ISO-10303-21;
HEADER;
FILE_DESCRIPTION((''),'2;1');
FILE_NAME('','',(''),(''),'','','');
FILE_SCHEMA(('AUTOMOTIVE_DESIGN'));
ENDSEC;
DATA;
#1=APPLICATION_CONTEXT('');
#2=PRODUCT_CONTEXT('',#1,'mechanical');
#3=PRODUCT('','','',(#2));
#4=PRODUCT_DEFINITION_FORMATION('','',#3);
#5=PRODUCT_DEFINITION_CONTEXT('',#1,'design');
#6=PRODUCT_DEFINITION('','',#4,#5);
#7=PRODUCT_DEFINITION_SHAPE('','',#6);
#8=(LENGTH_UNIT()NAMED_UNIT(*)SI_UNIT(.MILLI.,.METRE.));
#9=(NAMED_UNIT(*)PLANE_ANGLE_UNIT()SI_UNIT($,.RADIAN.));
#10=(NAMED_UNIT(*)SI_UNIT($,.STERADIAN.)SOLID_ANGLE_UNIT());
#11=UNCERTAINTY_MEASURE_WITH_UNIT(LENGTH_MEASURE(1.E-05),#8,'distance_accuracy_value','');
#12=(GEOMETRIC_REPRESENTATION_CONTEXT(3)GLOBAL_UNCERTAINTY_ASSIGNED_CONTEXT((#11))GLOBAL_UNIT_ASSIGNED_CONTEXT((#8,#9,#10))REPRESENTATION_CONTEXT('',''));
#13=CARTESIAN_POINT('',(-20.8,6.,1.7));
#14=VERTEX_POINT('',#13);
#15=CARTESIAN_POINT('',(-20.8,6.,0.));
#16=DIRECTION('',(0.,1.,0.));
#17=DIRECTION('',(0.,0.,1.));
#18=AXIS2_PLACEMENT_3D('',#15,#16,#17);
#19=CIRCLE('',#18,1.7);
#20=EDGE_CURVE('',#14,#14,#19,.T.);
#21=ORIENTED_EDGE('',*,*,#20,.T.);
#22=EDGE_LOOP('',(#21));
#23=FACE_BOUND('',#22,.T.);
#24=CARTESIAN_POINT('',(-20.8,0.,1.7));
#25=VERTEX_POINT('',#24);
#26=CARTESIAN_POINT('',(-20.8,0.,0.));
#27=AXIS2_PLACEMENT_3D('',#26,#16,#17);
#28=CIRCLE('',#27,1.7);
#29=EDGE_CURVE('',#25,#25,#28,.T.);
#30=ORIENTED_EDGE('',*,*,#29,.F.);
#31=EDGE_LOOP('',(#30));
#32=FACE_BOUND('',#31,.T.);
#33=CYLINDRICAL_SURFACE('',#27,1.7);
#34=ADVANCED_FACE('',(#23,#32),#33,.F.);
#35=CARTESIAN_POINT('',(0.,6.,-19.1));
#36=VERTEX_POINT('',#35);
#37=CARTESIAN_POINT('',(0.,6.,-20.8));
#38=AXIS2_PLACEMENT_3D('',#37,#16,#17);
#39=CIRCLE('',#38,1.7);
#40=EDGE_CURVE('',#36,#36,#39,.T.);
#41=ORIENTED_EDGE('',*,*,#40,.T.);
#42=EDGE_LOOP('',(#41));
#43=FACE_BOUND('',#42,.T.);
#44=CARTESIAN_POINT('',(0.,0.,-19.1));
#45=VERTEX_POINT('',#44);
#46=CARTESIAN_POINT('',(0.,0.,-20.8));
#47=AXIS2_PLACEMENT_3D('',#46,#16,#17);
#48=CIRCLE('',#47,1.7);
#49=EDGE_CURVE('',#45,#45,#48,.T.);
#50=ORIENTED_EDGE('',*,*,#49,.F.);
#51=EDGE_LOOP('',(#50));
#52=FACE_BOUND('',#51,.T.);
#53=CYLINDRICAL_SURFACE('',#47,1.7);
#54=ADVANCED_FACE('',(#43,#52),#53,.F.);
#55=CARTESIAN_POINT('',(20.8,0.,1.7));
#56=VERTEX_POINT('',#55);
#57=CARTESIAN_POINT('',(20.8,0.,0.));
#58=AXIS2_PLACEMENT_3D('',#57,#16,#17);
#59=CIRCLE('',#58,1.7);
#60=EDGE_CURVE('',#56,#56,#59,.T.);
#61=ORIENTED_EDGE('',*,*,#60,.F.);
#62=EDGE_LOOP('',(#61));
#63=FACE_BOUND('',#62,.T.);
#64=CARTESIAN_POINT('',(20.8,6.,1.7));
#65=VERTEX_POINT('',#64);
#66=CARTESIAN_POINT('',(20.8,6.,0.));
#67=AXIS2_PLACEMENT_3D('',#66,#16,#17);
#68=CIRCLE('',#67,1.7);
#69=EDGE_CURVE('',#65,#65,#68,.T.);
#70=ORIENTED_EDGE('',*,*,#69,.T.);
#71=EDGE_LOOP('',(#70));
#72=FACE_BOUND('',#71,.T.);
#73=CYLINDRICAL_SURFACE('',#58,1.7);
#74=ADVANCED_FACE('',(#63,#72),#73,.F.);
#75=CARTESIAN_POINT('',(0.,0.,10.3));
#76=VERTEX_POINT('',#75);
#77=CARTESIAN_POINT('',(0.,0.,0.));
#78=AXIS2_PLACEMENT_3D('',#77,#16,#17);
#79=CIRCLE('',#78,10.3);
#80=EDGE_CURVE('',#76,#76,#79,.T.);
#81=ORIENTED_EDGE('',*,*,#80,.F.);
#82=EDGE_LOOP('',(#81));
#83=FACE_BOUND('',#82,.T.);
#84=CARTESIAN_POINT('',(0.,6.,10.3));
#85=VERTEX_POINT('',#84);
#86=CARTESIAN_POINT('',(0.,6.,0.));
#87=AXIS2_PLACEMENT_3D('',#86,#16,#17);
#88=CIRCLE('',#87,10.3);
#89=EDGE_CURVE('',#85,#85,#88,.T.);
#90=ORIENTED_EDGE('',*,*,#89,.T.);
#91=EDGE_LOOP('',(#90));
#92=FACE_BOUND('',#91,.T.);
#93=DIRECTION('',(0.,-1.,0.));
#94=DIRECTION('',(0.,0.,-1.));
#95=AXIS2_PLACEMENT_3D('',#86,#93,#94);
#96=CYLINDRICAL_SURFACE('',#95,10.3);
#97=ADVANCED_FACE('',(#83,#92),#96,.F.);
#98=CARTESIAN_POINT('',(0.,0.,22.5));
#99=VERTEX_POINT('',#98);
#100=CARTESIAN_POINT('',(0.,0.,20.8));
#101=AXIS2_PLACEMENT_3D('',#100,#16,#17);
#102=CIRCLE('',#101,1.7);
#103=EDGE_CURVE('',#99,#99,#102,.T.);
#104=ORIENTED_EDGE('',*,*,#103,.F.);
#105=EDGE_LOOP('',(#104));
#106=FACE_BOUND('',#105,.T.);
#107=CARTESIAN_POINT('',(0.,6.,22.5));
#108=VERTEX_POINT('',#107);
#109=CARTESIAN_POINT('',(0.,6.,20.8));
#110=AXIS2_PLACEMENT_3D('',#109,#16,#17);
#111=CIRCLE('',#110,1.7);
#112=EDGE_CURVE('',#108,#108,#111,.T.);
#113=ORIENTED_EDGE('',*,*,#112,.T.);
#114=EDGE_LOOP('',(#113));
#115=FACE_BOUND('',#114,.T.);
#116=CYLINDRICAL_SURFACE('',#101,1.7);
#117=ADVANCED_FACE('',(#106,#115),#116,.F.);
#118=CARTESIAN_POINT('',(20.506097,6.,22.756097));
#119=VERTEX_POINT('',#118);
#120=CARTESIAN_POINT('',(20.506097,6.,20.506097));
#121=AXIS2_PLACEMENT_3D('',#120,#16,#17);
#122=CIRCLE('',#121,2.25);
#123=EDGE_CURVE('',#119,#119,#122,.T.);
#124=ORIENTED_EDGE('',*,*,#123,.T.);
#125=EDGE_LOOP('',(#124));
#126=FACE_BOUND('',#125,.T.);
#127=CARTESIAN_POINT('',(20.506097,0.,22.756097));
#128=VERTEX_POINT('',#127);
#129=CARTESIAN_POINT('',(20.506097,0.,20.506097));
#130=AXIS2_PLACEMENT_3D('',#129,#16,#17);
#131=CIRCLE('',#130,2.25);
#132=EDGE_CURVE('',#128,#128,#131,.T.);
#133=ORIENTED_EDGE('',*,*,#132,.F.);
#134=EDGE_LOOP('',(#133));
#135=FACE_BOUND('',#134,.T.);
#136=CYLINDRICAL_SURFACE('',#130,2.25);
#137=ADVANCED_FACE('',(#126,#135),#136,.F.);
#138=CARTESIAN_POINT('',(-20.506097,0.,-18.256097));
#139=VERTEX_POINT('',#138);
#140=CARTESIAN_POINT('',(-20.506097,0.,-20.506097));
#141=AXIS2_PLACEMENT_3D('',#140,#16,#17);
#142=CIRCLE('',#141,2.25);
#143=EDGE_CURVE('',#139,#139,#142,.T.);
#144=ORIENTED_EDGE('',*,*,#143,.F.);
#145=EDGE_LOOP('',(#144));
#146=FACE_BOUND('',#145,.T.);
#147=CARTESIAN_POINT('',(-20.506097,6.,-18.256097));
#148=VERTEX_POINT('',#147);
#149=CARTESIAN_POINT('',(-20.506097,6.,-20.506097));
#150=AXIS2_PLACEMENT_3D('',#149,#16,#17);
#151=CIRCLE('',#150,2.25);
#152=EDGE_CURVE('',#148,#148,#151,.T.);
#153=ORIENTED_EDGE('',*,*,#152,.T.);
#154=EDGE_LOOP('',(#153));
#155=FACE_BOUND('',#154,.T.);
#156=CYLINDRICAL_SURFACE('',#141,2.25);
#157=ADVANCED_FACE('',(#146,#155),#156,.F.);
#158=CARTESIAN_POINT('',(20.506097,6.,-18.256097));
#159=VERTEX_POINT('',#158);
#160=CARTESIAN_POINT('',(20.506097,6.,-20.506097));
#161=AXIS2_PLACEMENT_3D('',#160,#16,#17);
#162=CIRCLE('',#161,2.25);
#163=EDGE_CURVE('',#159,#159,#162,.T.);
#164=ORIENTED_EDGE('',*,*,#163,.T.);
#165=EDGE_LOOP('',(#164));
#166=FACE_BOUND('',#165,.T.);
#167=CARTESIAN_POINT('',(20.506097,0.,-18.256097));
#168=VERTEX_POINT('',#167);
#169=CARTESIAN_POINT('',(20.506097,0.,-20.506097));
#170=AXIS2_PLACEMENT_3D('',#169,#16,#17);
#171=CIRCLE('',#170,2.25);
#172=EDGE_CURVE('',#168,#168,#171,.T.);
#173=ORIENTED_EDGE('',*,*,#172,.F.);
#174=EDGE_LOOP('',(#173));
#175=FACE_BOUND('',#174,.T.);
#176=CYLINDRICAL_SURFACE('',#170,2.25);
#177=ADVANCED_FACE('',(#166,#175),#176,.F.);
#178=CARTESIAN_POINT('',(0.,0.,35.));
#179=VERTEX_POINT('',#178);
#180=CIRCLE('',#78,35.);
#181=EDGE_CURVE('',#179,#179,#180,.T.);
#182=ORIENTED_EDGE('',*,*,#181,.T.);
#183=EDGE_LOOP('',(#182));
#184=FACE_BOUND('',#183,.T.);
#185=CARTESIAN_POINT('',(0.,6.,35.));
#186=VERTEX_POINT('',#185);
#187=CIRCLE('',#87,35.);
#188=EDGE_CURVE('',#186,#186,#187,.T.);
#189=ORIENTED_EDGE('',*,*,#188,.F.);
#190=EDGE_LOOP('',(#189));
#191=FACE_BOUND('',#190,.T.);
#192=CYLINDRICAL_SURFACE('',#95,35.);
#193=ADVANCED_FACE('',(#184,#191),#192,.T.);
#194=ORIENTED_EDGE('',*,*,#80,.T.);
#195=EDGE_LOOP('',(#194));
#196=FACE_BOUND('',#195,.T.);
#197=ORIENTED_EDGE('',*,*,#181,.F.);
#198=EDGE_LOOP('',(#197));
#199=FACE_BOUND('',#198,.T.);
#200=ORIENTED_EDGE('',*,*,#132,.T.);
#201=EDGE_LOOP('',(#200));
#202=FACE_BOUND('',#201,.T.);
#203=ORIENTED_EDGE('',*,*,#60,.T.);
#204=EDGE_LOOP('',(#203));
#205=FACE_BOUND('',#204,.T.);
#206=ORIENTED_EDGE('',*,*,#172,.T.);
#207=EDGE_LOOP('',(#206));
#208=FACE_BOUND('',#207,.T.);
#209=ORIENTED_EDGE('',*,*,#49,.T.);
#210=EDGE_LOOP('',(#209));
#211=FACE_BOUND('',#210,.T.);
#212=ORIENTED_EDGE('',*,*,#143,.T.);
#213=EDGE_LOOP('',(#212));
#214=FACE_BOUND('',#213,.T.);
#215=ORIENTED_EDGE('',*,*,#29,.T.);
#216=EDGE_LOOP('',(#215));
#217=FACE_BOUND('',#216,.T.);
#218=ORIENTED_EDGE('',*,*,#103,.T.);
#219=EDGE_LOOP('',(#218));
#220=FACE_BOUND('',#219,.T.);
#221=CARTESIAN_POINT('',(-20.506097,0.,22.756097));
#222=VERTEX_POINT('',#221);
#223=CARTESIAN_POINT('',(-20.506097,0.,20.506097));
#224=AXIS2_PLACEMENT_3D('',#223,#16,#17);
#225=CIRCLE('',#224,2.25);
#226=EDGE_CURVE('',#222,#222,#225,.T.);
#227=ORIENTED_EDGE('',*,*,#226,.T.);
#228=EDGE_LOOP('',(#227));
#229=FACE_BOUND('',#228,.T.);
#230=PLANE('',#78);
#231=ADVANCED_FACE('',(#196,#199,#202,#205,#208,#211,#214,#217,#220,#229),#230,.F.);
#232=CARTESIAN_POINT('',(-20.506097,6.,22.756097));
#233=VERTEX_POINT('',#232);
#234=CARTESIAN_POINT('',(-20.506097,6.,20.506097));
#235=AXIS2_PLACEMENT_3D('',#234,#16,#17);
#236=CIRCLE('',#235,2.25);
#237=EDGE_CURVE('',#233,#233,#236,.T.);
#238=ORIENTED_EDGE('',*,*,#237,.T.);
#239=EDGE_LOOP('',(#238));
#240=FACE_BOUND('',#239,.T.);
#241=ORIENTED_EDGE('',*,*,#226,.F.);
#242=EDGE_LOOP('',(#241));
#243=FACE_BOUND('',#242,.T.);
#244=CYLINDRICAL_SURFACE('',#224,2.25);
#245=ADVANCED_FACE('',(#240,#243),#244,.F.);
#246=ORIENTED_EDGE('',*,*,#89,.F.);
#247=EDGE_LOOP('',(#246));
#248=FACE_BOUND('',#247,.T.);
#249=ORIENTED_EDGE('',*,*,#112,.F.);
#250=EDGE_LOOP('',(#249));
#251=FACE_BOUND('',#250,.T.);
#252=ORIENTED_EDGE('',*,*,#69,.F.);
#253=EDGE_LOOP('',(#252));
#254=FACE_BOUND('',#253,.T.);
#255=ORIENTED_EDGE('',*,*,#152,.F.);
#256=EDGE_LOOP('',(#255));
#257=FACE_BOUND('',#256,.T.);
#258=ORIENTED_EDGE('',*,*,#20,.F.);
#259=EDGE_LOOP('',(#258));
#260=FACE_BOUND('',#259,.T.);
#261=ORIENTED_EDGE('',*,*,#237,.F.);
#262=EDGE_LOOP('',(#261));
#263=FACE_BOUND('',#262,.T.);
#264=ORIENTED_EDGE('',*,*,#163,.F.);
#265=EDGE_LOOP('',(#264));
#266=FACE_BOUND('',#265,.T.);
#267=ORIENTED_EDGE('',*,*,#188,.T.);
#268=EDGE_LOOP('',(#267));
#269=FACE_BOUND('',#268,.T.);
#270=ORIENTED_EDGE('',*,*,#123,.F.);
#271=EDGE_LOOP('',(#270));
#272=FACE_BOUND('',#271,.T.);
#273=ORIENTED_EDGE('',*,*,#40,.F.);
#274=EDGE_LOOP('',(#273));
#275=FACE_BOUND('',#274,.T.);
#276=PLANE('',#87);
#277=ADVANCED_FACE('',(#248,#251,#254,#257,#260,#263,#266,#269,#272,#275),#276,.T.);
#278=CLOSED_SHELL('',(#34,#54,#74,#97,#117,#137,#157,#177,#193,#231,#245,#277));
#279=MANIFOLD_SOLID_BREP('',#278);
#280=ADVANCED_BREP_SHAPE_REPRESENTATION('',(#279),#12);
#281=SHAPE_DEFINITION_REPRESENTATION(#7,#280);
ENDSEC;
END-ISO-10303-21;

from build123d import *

# Parameters (mm, degrees)
SKETCH1_R           = 35
SKETCH1_R_2         = 10.3
BOSS_EXTRUDE1_DEPTH = 6
SKETCH3_R           = 1.7
CUT_EXTRUDE1_DEPTH  = 50.859803449
SKETCH5_R           = 2.25
CUT_EXTRUDE2_DEPTH  = 50.859803449


with BuildPart() as part:
    # Sketch1 → Boss-Extrude1 (new body)
    with BuildSketch(Plane(origin=(0, 0, 0), x_dir=(1, 0, 0), z_dir=(0, 1, 0))):
        with Locations(Location((0, 0, 0), (0, 0, 270))):
            Circle(SKETCH1_R)
        with Locations(Location((0, 0, 0), (0, 0, 270))):
            Circle(SKETCH1_R_2, mode=Mode.SUBTRACT)
    extrude(amount=BOSS_EXTRUDE1_DEPTH)

    # Sketch3 → Cut-Extrude1 (cut, through all)
    with BuildSketch(Plane(origin=(0, 6, 0), x_dir=(1, 0, 0), z_dir=(0, 1, 0))):
        with Locations(Location((-20.8, 0, 0), (0, 0, 270))):
            Circle(SKETCH3_R)
        with Locations(Location((0, 20.8, 0), (0, 0, 270))):
            Circle(SKETCH3_R)
        with Locations(Location((20.8, 0, 0), (0, 0, 270))):
            Circle(SKETCH3_R)
        with Locations(Location((0, -20.8, 0), (0, 0, 270))):
            Circle(SKETCH3_R)
    extrude(amount=-CUT_EXTRUDE1_DEPTH, mode=Mode.SUBTRACT)

    # Sketch5 → Cut-Extrude2 (cut, through all)
    with BuildSketch(Plane(origin=(0, 6, 0), x_dir=(1, 0, 0), z_dir=(0, 1, 0))):
        with Locations(Location((-20.506096654, 20.506096654, 0), (0, 0, 270))):
            Circle(SKETCH5_R)
        with Locations(Location((-20.506096654, -20.506096654, 0), (0, 0, 270))):
            Circle(SKETCH5_R)
        with Locations(Location((20.506096654, 20.506096654, 0), (0, 0, 270))):
            Circle(SKETCH5_R)
        with Locations(Location((20.506096654, -20.506096654, 0), (0, 0, 270))):
            Circle(SKETCH5_R)
    extrude(amount=-CUT_EXTRUDE2_DEPTH, mode=Mode.SUBTRACT)


solid = part.part
